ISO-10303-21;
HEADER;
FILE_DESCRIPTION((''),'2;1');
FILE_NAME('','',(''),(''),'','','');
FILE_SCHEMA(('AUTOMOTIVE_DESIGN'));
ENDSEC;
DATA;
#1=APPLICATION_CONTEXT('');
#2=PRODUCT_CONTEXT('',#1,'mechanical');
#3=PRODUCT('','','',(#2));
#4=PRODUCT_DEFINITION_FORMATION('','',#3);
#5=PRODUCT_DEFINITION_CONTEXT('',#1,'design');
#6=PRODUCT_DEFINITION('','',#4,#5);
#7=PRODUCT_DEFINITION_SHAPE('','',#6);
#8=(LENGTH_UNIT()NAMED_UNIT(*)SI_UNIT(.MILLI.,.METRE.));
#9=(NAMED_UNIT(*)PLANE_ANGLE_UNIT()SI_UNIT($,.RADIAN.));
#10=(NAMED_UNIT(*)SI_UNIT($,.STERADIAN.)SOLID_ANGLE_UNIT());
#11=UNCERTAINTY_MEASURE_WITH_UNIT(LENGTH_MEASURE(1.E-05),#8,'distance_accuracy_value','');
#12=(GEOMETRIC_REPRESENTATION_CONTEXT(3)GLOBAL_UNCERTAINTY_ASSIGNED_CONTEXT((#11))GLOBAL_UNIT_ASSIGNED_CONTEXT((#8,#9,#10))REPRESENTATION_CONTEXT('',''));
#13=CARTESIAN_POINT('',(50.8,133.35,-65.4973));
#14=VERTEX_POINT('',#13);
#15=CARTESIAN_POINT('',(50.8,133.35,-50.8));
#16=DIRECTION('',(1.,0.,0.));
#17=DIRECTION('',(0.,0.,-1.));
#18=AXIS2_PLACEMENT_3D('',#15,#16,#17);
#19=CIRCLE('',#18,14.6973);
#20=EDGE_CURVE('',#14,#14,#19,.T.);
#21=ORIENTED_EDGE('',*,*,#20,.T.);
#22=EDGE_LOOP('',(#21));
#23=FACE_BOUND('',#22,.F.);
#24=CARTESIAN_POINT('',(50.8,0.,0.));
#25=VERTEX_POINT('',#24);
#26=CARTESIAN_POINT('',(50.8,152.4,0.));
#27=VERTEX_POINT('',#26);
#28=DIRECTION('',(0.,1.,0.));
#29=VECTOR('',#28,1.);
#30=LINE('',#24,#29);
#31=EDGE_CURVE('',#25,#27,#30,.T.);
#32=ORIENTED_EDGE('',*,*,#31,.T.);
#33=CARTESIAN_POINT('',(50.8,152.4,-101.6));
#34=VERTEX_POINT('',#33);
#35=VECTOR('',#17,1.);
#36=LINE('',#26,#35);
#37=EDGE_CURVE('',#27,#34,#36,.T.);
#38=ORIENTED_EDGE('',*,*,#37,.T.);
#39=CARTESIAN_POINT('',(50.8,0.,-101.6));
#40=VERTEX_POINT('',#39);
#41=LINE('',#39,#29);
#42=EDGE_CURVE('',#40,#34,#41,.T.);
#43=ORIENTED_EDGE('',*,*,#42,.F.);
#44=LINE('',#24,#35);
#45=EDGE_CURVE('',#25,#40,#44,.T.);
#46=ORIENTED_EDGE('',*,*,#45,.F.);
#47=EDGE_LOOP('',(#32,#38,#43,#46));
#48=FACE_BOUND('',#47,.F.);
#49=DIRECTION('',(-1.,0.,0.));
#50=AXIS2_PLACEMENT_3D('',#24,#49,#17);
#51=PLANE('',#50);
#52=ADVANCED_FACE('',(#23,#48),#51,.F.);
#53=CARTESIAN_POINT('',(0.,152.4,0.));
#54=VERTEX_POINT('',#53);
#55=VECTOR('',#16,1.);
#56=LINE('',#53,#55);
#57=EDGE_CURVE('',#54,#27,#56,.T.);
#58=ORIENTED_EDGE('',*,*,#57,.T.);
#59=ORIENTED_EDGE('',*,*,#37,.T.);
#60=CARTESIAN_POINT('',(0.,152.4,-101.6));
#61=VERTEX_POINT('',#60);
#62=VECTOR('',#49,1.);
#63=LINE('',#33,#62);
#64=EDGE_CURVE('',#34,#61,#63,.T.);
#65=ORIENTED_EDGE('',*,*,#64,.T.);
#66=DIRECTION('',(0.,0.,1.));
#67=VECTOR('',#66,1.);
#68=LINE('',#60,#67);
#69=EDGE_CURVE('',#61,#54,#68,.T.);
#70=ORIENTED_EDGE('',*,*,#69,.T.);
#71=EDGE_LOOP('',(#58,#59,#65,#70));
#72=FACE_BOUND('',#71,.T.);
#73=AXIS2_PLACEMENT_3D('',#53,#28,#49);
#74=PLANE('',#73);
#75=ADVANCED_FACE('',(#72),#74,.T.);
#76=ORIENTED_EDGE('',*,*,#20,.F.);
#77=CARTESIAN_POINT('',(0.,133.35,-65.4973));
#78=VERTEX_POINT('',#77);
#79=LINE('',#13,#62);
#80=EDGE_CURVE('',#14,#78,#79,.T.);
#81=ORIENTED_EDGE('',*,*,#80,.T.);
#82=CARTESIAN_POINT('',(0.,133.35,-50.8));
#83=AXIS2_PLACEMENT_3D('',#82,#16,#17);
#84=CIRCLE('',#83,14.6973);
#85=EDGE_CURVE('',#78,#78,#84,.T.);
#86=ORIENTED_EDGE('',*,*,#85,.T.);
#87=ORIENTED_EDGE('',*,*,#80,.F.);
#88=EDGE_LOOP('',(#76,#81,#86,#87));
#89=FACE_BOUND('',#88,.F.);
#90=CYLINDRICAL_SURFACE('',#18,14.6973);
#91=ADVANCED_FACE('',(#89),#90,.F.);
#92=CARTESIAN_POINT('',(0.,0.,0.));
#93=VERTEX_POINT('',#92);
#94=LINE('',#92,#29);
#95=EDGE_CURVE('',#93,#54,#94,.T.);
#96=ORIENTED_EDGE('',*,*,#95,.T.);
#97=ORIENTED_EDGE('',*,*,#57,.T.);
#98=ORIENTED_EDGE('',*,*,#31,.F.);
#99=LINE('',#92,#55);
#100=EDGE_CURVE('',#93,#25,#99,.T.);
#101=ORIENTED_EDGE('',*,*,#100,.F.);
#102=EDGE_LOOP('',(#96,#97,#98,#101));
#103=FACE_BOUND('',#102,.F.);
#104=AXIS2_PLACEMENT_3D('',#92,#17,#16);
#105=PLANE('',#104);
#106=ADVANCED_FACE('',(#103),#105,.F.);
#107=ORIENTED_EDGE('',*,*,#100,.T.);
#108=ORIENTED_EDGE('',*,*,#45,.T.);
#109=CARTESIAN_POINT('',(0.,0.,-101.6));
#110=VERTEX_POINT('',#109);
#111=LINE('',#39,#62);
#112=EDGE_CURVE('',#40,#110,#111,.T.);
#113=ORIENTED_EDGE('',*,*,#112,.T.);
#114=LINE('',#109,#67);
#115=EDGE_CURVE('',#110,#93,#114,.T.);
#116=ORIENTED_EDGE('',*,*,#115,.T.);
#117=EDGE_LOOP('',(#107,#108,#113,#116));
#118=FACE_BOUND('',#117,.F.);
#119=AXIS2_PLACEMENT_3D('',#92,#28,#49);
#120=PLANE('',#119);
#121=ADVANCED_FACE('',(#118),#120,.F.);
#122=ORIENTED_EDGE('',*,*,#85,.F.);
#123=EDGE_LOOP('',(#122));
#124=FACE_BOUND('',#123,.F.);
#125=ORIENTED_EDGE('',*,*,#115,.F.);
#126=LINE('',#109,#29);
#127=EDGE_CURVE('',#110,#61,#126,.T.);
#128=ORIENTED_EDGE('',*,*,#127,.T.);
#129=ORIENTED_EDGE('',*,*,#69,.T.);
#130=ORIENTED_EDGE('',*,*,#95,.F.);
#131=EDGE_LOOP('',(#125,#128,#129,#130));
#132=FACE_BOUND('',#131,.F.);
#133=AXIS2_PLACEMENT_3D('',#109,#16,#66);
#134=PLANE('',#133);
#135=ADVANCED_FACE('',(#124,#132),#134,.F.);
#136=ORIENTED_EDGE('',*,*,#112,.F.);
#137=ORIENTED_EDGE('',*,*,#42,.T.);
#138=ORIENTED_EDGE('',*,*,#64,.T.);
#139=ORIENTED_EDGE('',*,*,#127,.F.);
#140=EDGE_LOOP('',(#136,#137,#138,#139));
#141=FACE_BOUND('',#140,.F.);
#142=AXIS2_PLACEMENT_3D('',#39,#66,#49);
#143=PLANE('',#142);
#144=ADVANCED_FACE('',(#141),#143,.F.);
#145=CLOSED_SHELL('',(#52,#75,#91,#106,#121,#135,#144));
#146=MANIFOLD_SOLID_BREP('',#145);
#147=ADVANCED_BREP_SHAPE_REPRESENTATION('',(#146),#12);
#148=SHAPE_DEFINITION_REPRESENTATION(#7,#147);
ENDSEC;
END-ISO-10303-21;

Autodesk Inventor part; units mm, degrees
ref_plane "YZ Plane" through (0, 0, 0) normal (1, 0, 0) x (0, 1, 0)
ref_plane "XZ Plane" through (0, 0, 0) normal (0, 1, 0) x (-1, 0, 0)
ref_plane "XY Plane" through (0, 0, 0) normal (0, 0, 1) x (1, 0, 0)
sketch "Sketch1" plane through (0, 0, 0) normal (0, 1, 0) x (-1, 0, 0)
  line L0 (0, 0) -> (-50.8, 0)
  line L1 (-50.8, 0) -> (-50.8, -101.6)
  line L2 (-50.8, -101.6) -> (0, -101.6)
  line L3 (0, -101.6) -> (0, 0)
  dimension "d0" = 50.8
  dimension "d1" = 101.6
extrude "Extrusion1" add sketch "Sketch1" along normal blind 152.4
sketch "Sketch2" plane through (50.8, 0, 0) normal (1, 0, 0) x (0, 0, -1)
  circle A0 centre (50.8, 133.35) radius 14.6973
  line L0 (101.6, 0) -> (101.6, 152.4) projected
  line L1 (0, 152.4) -> (101.6, 152.4) projected
  point P0 (0, 0)
  dimension "d4" = 50.8
  dimension "d5" = 19.05
extrude "Extrusion2" cut sketch "Sketch2" against normal up to next
properties part number "lifterBrace"
